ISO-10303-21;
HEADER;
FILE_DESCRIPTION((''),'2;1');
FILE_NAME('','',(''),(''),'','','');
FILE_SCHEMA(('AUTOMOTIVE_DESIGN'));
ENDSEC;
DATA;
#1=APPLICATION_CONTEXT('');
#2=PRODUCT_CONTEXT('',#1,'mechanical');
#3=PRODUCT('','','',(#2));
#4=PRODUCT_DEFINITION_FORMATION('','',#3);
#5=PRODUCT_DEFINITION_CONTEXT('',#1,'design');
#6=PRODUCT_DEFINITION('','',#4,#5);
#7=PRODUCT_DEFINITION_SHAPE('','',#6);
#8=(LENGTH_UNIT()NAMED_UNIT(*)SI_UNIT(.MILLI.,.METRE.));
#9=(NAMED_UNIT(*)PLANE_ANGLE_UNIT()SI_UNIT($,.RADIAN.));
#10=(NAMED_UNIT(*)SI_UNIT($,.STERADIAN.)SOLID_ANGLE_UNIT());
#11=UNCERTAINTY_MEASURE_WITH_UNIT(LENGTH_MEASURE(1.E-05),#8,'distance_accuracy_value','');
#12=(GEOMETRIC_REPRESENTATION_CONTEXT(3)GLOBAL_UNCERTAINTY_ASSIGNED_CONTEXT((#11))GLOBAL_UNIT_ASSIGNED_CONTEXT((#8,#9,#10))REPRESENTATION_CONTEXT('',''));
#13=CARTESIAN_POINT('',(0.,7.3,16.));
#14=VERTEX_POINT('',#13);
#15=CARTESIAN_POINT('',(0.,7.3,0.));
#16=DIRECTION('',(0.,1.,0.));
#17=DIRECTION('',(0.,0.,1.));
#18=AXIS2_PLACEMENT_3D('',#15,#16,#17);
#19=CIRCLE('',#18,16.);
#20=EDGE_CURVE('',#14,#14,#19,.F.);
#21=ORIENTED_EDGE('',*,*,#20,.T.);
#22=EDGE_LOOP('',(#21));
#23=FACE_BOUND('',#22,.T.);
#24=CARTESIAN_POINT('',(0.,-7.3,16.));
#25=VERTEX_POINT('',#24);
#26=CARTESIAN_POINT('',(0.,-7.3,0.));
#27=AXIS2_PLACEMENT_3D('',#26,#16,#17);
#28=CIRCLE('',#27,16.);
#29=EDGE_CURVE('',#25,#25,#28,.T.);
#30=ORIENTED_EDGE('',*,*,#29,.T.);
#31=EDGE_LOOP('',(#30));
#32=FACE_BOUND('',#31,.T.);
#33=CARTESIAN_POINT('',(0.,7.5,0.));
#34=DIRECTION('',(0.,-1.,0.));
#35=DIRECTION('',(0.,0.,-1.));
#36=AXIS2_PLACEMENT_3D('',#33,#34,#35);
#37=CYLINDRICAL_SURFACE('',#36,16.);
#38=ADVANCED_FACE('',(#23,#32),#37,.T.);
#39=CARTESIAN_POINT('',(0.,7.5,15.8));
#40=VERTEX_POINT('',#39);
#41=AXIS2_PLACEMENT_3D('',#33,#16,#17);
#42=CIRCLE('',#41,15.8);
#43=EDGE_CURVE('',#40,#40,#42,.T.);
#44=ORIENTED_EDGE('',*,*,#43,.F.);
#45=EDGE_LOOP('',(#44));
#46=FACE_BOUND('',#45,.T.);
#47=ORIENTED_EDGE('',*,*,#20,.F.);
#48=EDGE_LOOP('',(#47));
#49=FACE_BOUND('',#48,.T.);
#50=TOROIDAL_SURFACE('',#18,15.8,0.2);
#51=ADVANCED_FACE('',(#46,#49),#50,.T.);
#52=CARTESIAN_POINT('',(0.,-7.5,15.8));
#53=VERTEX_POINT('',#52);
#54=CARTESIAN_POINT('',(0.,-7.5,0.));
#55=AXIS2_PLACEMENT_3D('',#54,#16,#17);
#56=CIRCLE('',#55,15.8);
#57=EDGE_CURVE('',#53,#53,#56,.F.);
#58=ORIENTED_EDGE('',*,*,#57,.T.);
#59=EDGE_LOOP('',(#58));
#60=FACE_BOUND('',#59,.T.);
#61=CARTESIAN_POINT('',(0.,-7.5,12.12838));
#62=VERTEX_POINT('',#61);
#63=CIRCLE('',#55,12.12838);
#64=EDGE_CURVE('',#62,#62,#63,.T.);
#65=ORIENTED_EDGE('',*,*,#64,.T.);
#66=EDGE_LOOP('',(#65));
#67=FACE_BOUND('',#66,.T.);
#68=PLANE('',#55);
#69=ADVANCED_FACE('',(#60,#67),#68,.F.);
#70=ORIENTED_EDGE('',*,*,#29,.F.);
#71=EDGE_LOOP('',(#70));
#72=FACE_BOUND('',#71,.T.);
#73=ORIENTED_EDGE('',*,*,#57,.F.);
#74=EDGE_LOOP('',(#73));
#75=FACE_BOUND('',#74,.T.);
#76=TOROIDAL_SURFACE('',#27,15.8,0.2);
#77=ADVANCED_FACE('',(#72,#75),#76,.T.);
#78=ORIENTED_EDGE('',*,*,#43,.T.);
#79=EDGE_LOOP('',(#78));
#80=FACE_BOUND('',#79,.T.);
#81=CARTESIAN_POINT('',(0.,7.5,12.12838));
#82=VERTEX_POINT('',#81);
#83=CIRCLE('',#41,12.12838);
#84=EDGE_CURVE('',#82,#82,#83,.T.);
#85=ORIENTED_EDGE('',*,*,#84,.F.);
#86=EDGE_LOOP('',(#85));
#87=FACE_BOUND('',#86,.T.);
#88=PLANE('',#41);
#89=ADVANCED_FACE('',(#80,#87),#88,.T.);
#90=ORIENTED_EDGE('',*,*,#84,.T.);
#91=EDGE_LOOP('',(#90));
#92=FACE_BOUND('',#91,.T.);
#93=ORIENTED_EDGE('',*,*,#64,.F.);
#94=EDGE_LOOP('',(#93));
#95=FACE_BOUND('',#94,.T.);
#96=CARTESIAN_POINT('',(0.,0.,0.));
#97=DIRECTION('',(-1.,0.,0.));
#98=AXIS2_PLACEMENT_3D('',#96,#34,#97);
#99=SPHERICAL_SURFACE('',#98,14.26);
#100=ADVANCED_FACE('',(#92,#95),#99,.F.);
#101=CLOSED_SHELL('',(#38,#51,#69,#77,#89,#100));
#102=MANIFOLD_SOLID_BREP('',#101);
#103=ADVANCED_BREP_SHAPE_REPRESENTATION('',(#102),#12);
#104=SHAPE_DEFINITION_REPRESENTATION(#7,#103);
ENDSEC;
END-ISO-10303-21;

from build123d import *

# Parameters (mm, degrees)
SZKIC1_R                    = 16
DODANIE_WYCI_GNI_CIE1_DEPTH = 7.5
ZAOKR_GLENIE1_R             = 0.2


with BuildPart() as part:
    # Szkic1 → Dodanie-wyciągnięcie1 (new body, symmetric)
    with BuildSketch(Plane(origin=(0, 0, 0), x_dir=(1, 0, 0), z_dir=(0, 1, 0))):
        Circle(SZKIC1_R)
    extrude(amount=DODANIE_WYCI_GNI_CIE1_DEPTH, both=True)

    # Szkic3 → Wycięcie-obrót1 (revolve, cut)
    with BuildSketch(Plane.XY):
        with BuildLine():
            Line((0, -14.26), (0, 14.26))
            ThreePointArc((0, 14.26), (14.26, 0), (0, -14.26))
        make_face()
    revolve(axis=Axis((0, -14.26, 0), (0, 1, 0)), mode=Mode.SUBTRACT)

    # Zaokrąglenie1
    zaokr_glenie1_edges = [part.edges().sort_by_distance(p)[0] for p in [
        (-16, -7.5, 0),
        (-16, 7.5, 0),
    ]]
    fillet(zaokr_glenie1_edges, radius=ZAOKR_GLENIE1_R)


solid = part.part
